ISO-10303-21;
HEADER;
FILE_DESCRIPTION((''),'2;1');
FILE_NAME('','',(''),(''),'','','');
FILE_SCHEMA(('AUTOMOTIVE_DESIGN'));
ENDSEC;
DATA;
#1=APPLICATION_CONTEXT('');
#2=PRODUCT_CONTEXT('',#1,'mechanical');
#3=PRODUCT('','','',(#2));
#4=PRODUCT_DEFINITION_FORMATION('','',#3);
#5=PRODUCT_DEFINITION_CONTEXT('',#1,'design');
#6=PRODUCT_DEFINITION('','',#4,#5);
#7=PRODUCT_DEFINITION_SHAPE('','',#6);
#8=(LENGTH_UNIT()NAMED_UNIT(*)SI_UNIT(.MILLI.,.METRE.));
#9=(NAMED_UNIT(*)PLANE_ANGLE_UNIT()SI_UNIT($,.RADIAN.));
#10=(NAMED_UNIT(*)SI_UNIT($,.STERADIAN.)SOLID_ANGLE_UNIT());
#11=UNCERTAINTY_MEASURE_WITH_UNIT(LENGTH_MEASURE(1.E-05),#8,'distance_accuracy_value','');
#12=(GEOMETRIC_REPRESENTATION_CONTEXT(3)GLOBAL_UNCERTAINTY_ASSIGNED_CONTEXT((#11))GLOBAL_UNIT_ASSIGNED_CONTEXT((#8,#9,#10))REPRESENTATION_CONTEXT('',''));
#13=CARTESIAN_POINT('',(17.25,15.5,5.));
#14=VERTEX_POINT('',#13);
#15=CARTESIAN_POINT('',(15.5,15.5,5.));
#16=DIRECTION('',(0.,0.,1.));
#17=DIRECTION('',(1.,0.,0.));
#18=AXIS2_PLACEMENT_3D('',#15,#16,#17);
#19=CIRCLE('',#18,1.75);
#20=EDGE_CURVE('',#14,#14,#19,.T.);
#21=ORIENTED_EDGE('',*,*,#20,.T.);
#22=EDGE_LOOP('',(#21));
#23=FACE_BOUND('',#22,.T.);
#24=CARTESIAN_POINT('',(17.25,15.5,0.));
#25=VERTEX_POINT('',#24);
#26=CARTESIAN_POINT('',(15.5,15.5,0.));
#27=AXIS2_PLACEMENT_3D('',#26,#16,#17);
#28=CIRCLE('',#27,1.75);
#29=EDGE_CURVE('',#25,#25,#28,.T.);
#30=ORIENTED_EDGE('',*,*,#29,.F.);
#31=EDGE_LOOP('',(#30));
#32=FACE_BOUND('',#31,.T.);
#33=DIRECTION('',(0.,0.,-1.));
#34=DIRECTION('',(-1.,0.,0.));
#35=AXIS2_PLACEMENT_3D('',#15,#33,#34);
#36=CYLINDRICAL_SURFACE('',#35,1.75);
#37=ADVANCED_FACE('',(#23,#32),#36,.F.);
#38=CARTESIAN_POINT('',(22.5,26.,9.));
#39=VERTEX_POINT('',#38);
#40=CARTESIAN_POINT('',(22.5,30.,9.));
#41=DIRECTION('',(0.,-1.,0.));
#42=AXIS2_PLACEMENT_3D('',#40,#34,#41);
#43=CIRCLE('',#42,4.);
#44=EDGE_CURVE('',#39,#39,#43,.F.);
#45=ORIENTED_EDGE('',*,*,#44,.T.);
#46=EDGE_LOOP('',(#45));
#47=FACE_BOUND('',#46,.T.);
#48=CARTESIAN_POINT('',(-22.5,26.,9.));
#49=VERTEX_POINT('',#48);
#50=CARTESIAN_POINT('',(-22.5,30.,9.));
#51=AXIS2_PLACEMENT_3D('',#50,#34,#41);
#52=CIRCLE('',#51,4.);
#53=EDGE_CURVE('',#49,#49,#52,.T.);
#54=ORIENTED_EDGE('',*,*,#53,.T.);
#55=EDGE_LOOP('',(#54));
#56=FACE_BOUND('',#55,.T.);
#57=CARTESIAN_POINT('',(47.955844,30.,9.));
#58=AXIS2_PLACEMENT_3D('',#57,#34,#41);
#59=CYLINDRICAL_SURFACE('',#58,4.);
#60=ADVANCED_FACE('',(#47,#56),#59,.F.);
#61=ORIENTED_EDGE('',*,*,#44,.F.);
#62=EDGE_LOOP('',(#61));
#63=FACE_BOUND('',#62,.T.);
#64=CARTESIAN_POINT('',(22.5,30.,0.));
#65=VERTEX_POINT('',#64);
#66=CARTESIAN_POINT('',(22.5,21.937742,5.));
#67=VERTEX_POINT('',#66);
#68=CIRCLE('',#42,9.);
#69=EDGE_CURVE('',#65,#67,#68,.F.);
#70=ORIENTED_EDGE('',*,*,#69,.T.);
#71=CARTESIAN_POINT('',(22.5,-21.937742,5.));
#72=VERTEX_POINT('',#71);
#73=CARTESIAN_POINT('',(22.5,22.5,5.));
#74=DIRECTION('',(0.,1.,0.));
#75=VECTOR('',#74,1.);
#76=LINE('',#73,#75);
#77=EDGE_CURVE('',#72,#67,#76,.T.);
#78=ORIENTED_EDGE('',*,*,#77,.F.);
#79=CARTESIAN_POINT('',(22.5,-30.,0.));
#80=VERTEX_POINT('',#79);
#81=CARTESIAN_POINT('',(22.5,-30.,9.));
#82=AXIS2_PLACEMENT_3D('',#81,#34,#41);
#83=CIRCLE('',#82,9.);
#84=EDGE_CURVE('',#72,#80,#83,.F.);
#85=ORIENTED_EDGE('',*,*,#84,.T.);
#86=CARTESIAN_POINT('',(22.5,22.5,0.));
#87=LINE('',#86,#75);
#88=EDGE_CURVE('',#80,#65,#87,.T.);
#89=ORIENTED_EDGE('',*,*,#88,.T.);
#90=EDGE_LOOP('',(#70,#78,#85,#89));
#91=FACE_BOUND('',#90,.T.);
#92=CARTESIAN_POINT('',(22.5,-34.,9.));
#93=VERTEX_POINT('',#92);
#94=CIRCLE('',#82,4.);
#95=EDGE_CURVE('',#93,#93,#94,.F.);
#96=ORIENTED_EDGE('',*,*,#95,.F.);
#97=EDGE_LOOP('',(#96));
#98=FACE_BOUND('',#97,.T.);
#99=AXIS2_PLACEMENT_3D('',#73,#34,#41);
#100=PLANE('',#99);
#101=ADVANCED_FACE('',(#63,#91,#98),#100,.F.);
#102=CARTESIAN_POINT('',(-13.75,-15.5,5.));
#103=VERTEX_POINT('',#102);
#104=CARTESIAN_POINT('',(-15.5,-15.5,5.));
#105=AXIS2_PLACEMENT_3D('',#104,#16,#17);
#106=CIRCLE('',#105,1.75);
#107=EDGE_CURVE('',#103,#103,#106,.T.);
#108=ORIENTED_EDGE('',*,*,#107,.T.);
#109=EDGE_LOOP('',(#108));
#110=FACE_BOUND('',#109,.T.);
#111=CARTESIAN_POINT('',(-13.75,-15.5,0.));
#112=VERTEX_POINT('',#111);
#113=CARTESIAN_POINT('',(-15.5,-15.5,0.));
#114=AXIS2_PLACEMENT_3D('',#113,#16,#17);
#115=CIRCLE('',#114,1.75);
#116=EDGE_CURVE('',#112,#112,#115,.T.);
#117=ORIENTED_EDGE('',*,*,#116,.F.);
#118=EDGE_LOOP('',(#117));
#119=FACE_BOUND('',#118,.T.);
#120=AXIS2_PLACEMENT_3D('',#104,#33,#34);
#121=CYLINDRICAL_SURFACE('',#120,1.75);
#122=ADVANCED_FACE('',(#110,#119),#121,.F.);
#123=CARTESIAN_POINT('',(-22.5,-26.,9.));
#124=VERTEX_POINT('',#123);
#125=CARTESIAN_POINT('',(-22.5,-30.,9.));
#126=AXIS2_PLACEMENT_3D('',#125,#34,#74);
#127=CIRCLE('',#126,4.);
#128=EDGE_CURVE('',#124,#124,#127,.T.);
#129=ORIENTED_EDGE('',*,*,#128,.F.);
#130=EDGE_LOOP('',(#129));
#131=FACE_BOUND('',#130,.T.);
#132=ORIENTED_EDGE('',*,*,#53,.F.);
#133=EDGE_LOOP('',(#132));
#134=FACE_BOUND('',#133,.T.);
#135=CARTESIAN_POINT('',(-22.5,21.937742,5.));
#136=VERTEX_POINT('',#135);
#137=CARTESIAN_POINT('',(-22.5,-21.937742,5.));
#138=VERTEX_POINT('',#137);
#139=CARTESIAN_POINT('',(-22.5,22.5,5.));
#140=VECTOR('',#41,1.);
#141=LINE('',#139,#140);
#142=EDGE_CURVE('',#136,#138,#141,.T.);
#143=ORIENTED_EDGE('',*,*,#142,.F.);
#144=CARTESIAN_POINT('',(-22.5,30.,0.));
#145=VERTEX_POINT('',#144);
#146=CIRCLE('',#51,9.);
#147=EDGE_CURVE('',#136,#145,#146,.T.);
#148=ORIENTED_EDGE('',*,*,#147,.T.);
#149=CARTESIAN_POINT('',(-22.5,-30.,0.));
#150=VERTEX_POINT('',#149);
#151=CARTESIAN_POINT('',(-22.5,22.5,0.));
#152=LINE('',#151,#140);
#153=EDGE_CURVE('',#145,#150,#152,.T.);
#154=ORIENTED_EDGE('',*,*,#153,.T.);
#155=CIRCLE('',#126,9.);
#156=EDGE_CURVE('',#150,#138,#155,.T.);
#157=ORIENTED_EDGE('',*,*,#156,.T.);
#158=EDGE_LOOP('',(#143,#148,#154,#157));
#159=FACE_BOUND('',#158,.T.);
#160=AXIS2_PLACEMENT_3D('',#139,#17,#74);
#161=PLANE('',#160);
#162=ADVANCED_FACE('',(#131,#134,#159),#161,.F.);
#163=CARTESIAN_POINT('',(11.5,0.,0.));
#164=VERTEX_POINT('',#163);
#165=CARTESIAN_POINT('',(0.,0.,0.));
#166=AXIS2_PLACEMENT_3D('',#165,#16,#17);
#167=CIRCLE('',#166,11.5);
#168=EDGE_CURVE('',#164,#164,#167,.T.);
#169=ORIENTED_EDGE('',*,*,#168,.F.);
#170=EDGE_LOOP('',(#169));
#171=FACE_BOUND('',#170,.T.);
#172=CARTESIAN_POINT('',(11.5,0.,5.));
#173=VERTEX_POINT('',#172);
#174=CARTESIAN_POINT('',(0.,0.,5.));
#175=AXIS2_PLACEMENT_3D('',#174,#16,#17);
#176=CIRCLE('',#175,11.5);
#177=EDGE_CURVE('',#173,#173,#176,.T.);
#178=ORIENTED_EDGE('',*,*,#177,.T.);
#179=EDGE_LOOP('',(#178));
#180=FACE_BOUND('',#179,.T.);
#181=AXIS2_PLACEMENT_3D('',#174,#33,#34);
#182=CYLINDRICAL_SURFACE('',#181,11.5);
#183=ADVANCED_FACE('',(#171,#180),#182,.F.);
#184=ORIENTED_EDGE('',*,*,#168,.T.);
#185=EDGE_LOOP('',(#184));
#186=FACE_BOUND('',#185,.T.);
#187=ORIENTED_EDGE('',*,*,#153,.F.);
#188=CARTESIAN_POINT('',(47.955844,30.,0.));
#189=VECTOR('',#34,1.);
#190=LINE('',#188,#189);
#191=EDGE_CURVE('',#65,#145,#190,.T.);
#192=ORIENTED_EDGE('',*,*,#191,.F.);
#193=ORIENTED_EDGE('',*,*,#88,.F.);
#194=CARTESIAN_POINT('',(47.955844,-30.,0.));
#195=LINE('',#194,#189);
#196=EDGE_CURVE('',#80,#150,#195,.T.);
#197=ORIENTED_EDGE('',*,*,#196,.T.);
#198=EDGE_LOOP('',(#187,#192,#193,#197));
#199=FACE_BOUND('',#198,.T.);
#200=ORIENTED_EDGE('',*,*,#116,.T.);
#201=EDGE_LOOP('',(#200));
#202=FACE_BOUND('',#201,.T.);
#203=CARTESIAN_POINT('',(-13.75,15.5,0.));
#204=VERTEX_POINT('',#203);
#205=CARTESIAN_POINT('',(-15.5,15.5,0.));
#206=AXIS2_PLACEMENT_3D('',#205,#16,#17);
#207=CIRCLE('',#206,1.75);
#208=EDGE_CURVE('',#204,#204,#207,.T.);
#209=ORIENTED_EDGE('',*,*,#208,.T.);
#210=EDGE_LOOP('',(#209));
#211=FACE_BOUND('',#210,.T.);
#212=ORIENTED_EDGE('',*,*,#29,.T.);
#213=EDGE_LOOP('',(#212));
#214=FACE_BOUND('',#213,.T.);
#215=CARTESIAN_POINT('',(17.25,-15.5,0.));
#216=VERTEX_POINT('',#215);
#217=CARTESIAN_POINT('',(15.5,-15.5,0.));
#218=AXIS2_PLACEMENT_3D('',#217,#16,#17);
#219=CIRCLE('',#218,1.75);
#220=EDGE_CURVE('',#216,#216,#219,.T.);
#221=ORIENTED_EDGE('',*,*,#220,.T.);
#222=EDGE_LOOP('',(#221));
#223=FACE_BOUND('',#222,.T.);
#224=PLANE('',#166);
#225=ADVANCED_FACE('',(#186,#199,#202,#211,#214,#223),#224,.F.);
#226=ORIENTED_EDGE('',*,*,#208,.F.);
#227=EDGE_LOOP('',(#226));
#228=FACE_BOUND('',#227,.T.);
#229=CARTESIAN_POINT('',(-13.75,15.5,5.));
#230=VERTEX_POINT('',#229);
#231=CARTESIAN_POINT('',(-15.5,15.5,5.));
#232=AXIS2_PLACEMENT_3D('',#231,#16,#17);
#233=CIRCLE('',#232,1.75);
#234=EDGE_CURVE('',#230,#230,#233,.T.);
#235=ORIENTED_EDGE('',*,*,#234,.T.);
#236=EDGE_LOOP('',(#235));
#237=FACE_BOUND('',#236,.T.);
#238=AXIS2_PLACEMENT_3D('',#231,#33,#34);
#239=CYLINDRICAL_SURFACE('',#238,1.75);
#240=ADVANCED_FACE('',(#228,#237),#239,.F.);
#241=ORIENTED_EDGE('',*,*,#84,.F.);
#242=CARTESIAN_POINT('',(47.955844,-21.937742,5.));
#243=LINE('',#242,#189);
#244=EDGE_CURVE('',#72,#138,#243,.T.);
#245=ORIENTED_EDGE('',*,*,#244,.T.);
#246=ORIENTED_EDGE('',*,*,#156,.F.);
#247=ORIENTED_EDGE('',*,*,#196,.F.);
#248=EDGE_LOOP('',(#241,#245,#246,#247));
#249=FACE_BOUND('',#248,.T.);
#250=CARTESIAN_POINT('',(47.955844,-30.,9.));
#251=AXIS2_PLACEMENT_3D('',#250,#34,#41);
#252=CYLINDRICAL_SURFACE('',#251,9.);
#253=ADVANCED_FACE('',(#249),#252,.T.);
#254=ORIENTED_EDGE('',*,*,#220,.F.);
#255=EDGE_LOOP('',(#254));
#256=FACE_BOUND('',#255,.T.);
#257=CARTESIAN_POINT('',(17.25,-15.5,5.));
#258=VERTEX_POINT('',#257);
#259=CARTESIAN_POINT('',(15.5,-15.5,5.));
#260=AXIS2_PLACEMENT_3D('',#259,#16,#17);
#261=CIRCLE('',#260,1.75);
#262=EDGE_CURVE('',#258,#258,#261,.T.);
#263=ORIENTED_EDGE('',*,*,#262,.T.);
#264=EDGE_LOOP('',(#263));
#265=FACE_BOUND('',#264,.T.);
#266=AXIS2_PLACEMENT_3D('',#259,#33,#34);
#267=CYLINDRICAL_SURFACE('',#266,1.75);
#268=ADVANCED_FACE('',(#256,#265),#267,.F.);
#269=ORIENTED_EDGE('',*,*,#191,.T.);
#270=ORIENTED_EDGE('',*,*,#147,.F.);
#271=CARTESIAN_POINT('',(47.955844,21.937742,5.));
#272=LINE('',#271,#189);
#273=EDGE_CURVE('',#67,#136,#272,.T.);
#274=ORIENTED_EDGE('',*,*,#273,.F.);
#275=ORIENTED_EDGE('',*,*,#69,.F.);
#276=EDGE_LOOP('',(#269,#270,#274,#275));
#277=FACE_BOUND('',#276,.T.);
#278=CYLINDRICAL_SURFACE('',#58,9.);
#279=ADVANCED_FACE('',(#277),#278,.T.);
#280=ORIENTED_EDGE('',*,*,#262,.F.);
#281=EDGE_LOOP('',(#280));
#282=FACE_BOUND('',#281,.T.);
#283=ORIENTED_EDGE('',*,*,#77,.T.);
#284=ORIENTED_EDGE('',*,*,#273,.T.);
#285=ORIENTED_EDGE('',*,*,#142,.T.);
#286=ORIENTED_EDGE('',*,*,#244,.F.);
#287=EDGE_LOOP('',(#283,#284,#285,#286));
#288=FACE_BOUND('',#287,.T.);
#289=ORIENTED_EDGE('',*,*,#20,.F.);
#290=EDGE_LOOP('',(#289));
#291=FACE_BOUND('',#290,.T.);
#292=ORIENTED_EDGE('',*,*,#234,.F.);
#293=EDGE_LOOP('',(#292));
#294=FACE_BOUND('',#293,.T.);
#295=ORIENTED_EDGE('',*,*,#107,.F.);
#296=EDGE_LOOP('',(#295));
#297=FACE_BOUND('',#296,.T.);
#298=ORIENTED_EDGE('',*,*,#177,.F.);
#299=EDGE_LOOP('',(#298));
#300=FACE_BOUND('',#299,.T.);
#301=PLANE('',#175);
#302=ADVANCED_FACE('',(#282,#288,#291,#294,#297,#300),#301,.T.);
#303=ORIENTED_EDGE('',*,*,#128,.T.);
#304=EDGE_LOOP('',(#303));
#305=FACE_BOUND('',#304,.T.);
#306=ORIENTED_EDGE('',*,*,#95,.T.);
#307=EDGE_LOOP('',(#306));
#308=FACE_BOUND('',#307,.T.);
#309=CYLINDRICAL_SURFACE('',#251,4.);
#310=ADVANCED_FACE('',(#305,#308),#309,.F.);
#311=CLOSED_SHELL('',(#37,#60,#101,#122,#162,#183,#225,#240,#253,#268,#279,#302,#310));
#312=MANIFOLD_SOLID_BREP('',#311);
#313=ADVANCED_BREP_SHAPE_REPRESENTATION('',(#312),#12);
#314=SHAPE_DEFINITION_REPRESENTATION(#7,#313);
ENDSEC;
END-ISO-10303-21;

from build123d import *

# Parameters (mm, degrees)
ESBO_O1_W                = 45
ESBO_O1_H                = 45
ESBO_O1_R                = 1.75
ESBO_O1_R_2              = 11.5
RESSALTO_EXTRUS_O1_DEPTH = 5
ESBO_O3_R                = 4
RESSALTO_EXTRUS_O2_DEPTH = 45


with BuildPart() as part:
    # Esboço1 → Ressalto-extrusão1 (new body)
    with BuildSketch(Plane.XY):
        Rectangle(ESBO_O1_W, ESBO_O1_H)
        with Locations((-15.5, 15.5)):
            Circle(ESBO_O1_R, mode=Mode.SUBTRACT)
        with Locations((15.5, 15.5)):
            Circle(ESBO_O1_R, mode=Mode.SUBTRACT)
        with Locations((15.5, -15.5)):
            Circle(ESBO_O1_R, mode=Mode.SUBTRACT)
        with Locations((-15.5, -15.5)):
            Circle(ESBO_O1_R, mode=Mode.SUBTRACT)
        Circle(ESBO_O1_R_2, mode=Mode.SUBTRACT)
    extrude(amount=RESSALTO_EXTRUS_O1_DEPTH)

    # Esboço3 → Ressalto-extrusão2 (add)
    # profile 1 of 2: a face of its own
    with BuildSketch(Plane.ZY.offset(22.5)):
        with BuildLine():
            Line((0, 30), (0, 21.937742252))
            Line((0, 21.937742252), (5, 21.937742252))
            ThreePointArc((5, 21.937742252), (16.64852927, 34.74341649), (0, 30))
        make_face()
        with Locations(Location((9, 30, 0), (0, 0, 270))):
            Circle(ESBO_O3_R, mode=Mode.SUBTRACT)
    # profile 2 of 2: a face of its own
    with BuildSketch(Plane.ZY.offset(22.5)):
        with BuildLine():
            Line((5, -21.937742252), (0, -21.937742252))
            Line((0, -21.937742252), (0, -30))
            ThreePointArc((0, -30), (16.64852927, -34.74341649), (5, -21.937742252))
        make_face()
        with Locations(Location((9, -30, 0), (0, 0, 270))):
            Circle(ESBO_O3_R, mode=Mode.SUBTRACT)
    extrude(amount=-RESSALTO_EXTRUS_O2_DEPTH)


solid = part.part
